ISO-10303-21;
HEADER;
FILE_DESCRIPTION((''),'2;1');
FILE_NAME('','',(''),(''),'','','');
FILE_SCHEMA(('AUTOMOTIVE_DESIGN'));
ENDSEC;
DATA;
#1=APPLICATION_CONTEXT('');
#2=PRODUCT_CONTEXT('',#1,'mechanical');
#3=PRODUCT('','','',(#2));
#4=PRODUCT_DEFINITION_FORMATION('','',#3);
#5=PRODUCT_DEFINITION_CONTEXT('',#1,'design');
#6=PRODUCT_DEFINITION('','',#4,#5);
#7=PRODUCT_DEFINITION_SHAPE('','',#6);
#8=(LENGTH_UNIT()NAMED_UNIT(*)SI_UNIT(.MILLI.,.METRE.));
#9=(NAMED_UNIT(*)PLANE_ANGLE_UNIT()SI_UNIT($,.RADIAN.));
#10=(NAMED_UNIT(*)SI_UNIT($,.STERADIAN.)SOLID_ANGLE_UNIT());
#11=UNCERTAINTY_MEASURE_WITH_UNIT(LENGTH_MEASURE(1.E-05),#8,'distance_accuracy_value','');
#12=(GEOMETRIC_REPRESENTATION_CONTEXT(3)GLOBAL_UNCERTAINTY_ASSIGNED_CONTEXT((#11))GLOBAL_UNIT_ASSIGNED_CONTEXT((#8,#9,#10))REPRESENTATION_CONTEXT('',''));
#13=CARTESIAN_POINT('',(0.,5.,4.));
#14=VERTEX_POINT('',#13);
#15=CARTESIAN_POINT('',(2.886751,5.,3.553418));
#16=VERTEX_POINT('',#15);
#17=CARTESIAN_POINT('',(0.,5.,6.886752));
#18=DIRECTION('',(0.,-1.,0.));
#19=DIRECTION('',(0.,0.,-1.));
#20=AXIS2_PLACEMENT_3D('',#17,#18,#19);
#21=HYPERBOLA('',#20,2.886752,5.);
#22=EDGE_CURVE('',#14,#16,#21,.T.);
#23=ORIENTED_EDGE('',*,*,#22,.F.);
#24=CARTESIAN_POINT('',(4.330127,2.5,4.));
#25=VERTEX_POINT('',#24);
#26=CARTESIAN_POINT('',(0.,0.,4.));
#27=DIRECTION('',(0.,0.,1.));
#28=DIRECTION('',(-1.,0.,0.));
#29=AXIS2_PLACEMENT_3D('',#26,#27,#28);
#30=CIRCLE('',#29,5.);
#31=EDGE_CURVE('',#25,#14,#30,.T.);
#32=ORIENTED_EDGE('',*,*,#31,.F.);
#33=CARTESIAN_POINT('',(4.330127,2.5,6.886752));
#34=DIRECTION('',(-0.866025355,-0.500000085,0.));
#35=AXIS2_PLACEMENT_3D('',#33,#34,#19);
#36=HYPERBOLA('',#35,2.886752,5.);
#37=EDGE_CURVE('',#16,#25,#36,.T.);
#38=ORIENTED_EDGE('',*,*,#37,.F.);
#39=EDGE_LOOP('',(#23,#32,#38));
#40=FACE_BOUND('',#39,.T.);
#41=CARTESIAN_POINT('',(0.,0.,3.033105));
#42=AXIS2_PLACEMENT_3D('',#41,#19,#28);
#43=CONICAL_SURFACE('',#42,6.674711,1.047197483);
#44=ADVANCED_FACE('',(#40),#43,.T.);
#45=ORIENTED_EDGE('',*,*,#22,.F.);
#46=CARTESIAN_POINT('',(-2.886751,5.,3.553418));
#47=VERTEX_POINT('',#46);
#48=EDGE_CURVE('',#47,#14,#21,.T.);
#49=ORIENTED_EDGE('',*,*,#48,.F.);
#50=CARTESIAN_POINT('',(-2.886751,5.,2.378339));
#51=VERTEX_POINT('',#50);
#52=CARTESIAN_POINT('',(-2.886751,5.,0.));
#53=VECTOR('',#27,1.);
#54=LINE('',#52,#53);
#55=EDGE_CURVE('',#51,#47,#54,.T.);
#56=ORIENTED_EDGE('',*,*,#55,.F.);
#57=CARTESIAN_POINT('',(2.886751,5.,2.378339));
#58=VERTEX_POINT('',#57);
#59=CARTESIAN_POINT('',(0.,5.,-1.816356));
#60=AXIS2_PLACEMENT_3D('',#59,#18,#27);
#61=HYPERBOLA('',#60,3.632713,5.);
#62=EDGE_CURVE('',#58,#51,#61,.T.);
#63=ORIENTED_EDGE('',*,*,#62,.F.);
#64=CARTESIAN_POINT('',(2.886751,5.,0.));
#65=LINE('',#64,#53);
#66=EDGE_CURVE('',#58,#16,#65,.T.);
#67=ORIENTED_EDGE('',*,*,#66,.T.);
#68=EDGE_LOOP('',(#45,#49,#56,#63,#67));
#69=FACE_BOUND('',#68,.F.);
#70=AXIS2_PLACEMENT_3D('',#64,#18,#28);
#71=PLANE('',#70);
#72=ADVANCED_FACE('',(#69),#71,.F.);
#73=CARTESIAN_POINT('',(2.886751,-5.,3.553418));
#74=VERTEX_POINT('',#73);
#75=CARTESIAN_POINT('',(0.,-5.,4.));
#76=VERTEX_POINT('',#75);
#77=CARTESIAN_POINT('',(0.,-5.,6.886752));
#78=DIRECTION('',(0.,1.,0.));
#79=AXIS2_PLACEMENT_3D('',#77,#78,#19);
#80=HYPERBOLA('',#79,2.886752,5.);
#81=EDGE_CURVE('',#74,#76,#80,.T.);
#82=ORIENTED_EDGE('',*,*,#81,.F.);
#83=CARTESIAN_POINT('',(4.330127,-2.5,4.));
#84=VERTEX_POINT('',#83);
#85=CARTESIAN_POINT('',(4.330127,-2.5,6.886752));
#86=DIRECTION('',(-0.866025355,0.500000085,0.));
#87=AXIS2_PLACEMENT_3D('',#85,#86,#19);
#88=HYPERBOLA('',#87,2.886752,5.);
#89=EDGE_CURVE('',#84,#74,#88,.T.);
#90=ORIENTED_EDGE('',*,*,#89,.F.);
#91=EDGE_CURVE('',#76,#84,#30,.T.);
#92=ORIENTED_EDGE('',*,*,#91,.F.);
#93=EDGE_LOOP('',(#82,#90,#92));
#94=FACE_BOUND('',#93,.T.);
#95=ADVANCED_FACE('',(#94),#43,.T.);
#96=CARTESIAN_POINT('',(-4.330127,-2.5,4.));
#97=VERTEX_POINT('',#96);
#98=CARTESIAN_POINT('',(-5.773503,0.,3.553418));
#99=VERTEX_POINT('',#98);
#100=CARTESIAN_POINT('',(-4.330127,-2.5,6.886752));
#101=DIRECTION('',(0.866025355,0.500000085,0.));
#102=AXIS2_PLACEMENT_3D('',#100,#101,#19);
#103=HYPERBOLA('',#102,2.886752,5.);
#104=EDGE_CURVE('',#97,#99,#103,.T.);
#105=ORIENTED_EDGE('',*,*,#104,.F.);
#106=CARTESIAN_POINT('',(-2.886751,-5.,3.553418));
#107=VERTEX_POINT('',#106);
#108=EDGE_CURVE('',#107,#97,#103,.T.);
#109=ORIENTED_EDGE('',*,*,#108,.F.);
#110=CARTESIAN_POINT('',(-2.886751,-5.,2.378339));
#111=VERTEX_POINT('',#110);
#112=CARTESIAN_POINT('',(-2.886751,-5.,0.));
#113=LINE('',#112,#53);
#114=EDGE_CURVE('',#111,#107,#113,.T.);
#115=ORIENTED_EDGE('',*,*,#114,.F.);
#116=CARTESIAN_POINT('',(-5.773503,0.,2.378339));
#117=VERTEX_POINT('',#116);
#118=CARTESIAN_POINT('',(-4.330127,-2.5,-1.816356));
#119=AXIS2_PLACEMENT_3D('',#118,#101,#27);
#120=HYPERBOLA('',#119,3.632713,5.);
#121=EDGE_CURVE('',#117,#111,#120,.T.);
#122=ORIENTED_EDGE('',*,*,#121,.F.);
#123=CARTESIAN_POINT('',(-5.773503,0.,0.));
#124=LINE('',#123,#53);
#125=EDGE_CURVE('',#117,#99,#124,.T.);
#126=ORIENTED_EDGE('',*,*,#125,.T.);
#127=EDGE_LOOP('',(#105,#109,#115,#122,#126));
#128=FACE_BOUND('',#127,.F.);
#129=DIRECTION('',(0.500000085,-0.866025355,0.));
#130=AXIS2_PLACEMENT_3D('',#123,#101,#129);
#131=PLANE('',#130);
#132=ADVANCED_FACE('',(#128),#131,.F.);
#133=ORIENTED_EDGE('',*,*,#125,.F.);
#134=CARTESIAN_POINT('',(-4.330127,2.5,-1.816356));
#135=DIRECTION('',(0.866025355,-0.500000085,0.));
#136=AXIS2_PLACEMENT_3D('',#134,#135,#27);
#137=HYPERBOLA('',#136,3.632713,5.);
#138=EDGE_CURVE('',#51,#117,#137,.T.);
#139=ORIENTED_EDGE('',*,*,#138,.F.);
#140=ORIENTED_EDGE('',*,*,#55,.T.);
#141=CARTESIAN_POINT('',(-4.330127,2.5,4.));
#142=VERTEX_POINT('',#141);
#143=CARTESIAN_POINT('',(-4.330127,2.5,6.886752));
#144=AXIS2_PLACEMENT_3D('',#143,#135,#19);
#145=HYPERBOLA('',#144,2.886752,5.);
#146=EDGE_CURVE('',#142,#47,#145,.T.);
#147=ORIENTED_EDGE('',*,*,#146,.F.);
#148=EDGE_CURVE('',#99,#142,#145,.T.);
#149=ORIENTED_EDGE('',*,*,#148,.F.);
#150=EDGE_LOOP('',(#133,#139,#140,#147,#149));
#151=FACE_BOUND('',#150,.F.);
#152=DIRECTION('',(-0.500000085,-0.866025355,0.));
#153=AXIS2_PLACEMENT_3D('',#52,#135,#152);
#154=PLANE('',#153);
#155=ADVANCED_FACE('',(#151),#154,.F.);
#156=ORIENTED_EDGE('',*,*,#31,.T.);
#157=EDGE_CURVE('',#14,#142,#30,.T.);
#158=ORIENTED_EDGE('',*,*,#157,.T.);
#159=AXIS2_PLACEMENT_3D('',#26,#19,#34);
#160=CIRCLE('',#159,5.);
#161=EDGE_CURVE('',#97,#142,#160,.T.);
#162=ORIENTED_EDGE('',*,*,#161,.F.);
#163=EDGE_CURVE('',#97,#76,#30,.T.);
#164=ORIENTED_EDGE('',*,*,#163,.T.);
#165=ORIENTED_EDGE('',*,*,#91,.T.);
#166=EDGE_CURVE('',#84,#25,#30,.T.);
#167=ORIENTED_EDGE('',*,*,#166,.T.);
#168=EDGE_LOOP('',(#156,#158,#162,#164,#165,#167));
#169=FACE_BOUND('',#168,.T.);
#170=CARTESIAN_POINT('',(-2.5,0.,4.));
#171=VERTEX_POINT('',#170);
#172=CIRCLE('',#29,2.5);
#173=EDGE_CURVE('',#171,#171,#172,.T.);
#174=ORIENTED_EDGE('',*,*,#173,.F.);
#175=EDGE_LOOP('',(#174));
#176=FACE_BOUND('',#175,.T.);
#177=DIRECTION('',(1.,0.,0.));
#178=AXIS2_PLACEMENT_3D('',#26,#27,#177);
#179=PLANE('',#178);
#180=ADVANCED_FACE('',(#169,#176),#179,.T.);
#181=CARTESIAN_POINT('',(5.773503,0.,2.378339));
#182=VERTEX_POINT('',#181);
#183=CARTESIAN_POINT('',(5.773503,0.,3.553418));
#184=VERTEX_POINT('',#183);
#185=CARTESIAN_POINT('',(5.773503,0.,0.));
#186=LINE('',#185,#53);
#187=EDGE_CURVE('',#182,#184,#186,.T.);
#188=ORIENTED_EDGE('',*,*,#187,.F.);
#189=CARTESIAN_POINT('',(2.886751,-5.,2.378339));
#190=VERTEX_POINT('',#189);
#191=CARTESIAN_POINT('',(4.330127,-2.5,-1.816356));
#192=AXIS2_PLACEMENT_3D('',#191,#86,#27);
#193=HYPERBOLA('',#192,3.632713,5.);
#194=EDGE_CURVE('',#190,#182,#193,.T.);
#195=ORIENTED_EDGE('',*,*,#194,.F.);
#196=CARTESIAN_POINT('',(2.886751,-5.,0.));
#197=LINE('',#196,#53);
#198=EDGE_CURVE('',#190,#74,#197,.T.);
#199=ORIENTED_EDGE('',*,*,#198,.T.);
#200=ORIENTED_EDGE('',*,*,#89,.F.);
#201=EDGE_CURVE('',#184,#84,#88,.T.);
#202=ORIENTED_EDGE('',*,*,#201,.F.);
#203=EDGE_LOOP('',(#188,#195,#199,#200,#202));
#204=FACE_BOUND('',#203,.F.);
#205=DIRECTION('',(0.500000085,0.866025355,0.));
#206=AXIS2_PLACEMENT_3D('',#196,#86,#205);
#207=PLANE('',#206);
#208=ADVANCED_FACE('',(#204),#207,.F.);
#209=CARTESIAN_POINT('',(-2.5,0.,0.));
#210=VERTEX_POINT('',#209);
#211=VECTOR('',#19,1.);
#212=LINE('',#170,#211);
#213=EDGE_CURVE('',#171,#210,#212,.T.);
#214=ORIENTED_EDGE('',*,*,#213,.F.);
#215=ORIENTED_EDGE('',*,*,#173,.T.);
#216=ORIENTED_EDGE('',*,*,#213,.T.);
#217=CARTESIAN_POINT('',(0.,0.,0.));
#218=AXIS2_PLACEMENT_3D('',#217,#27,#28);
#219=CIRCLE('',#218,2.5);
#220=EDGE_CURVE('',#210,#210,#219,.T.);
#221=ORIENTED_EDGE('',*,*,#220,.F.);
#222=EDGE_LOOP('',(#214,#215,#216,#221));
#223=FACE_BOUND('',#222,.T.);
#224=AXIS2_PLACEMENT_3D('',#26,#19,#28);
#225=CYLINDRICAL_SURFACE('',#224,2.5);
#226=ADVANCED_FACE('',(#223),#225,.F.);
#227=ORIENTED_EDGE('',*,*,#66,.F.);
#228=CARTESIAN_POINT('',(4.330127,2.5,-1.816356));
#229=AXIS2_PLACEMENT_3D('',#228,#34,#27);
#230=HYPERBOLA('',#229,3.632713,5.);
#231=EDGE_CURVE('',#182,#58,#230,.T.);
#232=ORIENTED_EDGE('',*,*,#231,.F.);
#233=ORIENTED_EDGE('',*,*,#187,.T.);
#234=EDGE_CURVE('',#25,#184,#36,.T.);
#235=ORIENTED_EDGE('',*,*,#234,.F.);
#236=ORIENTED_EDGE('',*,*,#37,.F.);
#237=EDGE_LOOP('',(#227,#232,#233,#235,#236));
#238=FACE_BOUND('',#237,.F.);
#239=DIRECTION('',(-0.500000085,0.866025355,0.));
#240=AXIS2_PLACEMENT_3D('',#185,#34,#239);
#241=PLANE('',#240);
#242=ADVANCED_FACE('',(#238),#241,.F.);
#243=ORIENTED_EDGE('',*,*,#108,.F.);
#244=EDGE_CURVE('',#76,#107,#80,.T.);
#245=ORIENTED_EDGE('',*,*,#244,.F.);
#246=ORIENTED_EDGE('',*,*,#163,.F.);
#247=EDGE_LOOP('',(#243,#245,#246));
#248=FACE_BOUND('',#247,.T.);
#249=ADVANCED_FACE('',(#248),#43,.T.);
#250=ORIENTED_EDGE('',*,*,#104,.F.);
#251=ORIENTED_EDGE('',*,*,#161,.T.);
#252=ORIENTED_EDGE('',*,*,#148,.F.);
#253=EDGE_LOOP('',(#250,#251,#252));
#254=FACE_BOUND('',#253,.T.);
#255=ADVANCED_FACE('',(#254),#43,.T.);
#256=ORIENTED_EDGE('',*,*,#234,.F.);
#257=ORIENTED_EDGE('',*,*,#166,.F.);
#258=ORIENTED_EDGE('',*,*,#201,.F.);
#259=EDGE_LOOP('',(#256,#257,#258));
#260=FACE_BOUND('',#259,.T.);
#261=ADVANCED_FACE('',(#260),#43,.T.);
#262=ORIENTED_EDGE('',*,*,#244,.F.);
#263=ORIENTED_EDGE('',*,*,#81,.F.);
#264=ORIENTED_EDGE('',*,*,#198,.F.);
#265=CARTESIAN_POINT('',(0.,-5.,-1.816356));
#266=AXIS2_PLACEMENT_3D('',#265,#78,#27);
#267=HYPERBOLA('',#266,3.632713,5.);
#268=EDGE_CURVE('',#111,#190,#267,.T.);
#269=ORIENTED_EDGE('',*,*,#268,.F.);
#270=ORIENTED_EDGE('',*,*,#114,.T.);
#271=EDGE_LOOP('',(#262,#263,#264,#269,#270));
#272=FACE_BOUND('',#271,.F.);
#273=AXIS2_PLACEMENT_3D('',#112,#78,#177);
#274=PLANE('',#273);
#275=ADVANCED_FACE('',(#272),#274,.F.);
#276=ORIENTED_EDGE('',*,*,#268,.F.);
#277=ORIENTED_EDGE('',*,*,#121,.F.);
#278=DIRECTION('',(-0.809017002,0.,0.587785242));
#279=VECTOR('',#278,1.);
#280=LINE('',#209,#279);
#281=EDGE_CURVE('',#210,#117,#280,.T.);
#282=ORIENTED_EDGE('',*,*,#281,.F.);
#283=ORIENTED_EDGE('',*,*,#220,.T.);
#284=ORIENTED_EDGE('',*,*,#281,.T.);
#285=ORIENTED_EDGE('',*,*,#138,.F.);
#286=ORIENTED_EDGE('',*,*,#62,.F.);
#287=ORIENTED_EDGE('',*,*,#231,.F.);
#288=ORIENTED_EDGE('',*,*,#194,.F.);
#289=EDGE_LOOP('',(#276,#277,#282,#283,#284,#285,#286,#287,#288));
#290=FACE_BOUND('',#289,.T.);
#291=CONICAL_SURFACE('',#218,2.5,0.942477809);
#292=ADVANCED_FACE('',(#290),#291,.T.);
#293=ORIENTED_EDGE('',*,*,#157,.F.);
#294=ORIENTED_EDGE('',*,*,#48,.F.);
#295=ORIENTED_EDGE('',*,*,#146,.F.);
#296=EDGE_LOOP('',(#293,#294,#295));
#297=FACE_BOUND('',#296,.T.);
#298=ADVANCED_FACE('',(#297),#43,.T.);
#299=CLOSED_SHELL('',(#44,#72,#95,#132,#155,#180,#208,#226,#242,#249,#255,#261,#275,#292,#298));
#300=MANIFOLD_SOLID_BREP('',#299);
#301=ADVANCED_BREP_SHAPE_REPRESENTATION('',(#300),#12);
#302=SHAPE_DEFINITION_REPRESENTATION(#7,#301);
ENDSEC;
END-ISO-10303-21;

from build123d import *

# Parameters (mm, degrees)
PAD_DEPTH = 4


with BuildPart() as tapered_nut_section_revolution:
    # Sketch007 → Revolution001 (revolve)
    with BuildSketch(Plane.XZ):
        Polygon((-2.5, 0), (-6.674711, 3.033105), (-5, 4), (-2.5, 4), align=None)
    revolve(axis=Axis((0, 0, 0), (0, 0, 1)))


with BuildPart() as tapered_nut_prism_section_common:
    # Sketch008 → Pad (new body)
    with BuildSketch(Plane.XY):
        Polygon((-2.886751, 5), (-5.773503, 0), (-2.886751, -5), (2.886751, -5), (5.773503, 0), (2.886751, 5), align=None)
    extrude(amount=PAD_DEPTH)

    # Common: intersect tapered-nut-section-revolution
    add(tapered_nut_section_revolution.part, mode=Mode.INTERSECT)


solid = tapered_nut_prism_section_common.part
